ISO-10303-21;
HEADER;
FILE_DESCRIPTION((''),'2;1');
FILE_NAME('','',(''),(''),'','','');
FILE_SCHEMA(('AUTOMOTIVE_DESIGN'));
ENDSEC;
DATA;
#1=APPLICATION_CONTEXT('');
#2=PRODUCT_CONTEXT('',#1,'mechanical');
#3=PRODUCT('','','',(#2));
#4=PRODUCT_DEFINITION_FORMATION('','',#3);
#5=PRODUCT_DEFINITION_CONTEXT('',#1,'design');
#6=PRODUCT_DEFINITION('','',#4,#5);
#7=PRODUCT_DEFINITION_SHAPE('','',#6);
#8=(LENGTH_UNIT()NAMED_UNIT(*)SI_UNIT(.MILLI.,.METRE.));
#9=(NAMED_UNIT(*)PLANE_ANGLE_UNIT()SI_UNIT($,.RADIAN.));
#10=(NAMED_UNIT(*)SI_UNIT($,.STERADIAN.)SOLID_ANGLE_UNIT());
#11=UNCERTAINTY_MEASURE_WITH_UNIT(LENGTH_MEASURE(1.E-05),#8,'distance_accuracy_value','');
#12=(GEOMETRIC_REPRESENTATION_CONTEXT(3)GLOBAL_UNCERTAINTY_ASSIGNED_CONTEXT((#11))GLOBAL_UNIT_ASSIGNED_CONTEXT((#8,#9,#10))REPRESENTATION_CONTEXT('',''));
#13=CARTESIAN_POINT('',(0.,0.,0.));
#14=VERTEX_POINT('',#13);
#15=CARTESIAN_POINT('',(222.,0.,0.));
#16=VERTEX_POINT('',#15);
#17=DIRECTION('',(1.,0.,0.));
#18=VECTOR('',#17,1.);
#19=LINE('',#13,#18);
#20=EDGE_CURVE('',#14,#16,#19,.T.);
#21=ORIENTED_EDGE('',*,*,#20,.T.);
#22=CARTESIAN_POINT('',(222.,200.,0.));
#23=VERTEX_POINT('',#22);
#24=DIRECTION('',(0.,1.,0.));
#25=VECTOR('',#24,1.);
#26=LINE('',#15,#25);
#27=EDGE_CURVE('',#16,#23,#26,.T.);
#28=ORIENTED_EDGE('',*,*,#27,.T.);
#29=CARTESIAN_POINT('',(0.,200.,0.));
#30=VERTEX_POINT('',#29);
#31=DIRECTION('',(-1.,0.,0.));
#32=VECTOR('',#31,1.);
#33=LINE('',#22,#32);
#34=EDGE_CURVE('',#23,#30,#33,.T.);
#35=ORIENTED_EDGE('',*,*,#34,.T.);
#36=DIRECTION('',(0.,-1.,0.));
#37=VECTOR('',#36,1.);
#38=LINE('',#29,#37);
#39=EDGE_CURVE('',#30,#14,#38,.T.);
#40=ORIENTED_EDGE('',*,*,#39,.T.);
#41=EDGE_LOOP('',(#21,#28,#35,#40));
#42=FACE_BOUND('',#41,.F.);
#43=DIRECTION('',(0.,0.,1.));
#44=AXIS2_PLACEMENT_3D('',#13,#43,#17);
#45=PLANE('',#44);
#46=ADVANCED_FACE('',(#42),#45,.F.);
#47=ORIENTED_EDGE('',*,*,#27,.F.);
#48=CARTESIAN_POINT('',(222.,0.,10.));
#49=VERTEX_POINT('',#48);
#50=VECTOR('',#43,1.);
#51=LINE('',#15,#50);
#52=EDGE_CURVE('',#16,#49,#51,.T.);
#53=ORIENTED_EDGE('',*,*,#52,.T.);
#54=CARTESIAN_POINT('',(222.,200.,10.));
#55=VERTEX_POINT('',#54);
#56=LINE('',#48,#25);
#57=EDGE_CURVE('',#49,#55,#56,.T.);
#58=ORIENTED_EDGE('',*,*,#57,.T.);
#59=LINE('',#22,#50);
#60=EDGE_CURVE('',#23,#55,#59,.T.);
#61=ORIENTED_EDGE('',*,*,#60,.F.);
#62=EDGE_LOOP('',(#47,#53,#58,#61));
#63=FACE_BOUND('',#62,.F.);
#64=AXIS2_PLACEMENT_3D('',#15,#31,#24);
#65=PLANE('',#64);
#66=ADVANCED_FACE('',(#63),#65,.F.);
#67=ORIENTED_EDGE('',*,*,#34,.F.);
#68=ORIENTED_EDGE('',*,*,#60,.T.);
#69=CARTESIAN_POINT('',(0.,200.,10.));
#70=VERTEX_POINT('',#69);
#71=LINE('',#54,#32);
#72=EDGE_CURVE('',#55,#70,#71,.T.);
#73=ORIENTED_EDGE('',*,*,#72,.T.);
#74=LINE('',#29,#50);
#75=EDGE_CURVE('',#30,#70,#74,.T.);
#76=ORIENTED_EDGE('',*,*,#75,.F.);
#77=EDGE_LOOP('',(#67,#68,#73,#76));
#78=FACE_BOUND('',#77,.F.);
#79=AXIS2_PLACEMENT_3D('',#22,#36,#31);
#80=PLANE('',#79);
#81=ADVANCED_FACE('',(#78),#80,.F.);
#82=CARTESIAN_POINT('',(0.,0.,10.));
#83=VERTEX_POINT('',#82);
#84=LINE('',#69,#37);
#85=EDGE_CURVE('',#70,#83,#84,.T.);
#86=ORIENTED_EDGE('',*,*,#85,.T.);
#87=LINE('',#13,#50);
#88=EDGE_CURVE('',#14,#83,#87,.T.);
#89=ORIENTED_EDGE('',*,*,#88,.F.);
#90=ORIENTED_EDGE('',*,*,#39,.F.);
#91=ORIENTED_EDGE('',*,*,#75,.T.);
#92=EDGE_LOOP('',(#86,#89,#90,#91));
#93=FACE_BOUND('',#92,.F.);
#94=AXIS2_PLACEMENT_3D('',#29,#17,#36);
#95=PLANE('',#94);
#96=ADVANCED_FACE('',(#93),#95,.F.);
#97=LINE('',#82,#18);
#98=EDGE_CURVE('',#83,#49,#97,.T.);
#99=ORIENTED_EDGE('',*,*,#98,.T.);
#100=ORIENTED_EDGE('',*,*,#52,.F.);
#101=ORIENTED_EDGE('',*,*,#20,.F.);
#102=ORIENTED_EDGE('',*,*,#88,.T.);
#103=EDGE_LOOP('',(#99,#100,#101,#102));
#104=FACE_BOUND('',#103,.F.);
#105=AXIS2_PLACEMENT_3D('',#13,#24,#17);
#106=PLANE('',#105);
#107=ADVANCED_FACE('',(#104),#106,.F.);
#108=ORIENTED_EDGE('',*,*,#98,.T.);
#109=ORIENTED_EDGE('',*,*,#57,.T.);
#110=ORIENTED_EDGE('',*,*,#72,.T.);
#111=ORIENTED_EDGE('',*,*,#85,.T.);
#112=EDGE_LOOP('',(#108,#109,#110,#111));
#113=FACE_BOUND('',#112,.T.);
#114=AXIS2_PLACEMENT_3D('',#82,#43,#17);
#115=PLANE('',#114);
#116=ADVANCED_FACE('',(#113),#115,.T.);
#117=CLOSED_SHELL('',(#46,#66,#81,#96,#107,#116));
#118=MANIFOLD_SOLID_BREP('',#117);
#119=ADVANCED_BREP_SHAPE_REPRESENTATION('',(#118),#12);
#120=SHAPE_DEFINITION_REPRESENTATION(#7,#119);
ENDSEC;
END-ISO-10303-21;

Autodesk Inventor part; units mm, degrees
ref_plane "YZ Plane" through (0, 0, 0) normal (1, 0, 0) x (0, 1, 0)
ref_plane "XZ Plane" through (0, 0, 0) normal (0, 1, 0) x (-1, 0, 0)
ref_plane "XY Plane" through (0, 0, 0) normal (0, 0, 1) x (1, 0, 0)
sketch "Sketch1" plane through (0, 0, 0) normal (0, 0, 1) x (1, 0, 0)
  line L0 (0, 0) -> (222, 0)
  line L1 (222, 0) -> (222, 200)
  line L2 (222, 200) -> (0, 200)
  line L3 (0, 200) -> (0, 0)
  dimension "d0" = 222
  dimension "d1" = 200
extrude "Extrusion1" add sketch "Sketch1" along normal blind 10
properties part number "build plate"
